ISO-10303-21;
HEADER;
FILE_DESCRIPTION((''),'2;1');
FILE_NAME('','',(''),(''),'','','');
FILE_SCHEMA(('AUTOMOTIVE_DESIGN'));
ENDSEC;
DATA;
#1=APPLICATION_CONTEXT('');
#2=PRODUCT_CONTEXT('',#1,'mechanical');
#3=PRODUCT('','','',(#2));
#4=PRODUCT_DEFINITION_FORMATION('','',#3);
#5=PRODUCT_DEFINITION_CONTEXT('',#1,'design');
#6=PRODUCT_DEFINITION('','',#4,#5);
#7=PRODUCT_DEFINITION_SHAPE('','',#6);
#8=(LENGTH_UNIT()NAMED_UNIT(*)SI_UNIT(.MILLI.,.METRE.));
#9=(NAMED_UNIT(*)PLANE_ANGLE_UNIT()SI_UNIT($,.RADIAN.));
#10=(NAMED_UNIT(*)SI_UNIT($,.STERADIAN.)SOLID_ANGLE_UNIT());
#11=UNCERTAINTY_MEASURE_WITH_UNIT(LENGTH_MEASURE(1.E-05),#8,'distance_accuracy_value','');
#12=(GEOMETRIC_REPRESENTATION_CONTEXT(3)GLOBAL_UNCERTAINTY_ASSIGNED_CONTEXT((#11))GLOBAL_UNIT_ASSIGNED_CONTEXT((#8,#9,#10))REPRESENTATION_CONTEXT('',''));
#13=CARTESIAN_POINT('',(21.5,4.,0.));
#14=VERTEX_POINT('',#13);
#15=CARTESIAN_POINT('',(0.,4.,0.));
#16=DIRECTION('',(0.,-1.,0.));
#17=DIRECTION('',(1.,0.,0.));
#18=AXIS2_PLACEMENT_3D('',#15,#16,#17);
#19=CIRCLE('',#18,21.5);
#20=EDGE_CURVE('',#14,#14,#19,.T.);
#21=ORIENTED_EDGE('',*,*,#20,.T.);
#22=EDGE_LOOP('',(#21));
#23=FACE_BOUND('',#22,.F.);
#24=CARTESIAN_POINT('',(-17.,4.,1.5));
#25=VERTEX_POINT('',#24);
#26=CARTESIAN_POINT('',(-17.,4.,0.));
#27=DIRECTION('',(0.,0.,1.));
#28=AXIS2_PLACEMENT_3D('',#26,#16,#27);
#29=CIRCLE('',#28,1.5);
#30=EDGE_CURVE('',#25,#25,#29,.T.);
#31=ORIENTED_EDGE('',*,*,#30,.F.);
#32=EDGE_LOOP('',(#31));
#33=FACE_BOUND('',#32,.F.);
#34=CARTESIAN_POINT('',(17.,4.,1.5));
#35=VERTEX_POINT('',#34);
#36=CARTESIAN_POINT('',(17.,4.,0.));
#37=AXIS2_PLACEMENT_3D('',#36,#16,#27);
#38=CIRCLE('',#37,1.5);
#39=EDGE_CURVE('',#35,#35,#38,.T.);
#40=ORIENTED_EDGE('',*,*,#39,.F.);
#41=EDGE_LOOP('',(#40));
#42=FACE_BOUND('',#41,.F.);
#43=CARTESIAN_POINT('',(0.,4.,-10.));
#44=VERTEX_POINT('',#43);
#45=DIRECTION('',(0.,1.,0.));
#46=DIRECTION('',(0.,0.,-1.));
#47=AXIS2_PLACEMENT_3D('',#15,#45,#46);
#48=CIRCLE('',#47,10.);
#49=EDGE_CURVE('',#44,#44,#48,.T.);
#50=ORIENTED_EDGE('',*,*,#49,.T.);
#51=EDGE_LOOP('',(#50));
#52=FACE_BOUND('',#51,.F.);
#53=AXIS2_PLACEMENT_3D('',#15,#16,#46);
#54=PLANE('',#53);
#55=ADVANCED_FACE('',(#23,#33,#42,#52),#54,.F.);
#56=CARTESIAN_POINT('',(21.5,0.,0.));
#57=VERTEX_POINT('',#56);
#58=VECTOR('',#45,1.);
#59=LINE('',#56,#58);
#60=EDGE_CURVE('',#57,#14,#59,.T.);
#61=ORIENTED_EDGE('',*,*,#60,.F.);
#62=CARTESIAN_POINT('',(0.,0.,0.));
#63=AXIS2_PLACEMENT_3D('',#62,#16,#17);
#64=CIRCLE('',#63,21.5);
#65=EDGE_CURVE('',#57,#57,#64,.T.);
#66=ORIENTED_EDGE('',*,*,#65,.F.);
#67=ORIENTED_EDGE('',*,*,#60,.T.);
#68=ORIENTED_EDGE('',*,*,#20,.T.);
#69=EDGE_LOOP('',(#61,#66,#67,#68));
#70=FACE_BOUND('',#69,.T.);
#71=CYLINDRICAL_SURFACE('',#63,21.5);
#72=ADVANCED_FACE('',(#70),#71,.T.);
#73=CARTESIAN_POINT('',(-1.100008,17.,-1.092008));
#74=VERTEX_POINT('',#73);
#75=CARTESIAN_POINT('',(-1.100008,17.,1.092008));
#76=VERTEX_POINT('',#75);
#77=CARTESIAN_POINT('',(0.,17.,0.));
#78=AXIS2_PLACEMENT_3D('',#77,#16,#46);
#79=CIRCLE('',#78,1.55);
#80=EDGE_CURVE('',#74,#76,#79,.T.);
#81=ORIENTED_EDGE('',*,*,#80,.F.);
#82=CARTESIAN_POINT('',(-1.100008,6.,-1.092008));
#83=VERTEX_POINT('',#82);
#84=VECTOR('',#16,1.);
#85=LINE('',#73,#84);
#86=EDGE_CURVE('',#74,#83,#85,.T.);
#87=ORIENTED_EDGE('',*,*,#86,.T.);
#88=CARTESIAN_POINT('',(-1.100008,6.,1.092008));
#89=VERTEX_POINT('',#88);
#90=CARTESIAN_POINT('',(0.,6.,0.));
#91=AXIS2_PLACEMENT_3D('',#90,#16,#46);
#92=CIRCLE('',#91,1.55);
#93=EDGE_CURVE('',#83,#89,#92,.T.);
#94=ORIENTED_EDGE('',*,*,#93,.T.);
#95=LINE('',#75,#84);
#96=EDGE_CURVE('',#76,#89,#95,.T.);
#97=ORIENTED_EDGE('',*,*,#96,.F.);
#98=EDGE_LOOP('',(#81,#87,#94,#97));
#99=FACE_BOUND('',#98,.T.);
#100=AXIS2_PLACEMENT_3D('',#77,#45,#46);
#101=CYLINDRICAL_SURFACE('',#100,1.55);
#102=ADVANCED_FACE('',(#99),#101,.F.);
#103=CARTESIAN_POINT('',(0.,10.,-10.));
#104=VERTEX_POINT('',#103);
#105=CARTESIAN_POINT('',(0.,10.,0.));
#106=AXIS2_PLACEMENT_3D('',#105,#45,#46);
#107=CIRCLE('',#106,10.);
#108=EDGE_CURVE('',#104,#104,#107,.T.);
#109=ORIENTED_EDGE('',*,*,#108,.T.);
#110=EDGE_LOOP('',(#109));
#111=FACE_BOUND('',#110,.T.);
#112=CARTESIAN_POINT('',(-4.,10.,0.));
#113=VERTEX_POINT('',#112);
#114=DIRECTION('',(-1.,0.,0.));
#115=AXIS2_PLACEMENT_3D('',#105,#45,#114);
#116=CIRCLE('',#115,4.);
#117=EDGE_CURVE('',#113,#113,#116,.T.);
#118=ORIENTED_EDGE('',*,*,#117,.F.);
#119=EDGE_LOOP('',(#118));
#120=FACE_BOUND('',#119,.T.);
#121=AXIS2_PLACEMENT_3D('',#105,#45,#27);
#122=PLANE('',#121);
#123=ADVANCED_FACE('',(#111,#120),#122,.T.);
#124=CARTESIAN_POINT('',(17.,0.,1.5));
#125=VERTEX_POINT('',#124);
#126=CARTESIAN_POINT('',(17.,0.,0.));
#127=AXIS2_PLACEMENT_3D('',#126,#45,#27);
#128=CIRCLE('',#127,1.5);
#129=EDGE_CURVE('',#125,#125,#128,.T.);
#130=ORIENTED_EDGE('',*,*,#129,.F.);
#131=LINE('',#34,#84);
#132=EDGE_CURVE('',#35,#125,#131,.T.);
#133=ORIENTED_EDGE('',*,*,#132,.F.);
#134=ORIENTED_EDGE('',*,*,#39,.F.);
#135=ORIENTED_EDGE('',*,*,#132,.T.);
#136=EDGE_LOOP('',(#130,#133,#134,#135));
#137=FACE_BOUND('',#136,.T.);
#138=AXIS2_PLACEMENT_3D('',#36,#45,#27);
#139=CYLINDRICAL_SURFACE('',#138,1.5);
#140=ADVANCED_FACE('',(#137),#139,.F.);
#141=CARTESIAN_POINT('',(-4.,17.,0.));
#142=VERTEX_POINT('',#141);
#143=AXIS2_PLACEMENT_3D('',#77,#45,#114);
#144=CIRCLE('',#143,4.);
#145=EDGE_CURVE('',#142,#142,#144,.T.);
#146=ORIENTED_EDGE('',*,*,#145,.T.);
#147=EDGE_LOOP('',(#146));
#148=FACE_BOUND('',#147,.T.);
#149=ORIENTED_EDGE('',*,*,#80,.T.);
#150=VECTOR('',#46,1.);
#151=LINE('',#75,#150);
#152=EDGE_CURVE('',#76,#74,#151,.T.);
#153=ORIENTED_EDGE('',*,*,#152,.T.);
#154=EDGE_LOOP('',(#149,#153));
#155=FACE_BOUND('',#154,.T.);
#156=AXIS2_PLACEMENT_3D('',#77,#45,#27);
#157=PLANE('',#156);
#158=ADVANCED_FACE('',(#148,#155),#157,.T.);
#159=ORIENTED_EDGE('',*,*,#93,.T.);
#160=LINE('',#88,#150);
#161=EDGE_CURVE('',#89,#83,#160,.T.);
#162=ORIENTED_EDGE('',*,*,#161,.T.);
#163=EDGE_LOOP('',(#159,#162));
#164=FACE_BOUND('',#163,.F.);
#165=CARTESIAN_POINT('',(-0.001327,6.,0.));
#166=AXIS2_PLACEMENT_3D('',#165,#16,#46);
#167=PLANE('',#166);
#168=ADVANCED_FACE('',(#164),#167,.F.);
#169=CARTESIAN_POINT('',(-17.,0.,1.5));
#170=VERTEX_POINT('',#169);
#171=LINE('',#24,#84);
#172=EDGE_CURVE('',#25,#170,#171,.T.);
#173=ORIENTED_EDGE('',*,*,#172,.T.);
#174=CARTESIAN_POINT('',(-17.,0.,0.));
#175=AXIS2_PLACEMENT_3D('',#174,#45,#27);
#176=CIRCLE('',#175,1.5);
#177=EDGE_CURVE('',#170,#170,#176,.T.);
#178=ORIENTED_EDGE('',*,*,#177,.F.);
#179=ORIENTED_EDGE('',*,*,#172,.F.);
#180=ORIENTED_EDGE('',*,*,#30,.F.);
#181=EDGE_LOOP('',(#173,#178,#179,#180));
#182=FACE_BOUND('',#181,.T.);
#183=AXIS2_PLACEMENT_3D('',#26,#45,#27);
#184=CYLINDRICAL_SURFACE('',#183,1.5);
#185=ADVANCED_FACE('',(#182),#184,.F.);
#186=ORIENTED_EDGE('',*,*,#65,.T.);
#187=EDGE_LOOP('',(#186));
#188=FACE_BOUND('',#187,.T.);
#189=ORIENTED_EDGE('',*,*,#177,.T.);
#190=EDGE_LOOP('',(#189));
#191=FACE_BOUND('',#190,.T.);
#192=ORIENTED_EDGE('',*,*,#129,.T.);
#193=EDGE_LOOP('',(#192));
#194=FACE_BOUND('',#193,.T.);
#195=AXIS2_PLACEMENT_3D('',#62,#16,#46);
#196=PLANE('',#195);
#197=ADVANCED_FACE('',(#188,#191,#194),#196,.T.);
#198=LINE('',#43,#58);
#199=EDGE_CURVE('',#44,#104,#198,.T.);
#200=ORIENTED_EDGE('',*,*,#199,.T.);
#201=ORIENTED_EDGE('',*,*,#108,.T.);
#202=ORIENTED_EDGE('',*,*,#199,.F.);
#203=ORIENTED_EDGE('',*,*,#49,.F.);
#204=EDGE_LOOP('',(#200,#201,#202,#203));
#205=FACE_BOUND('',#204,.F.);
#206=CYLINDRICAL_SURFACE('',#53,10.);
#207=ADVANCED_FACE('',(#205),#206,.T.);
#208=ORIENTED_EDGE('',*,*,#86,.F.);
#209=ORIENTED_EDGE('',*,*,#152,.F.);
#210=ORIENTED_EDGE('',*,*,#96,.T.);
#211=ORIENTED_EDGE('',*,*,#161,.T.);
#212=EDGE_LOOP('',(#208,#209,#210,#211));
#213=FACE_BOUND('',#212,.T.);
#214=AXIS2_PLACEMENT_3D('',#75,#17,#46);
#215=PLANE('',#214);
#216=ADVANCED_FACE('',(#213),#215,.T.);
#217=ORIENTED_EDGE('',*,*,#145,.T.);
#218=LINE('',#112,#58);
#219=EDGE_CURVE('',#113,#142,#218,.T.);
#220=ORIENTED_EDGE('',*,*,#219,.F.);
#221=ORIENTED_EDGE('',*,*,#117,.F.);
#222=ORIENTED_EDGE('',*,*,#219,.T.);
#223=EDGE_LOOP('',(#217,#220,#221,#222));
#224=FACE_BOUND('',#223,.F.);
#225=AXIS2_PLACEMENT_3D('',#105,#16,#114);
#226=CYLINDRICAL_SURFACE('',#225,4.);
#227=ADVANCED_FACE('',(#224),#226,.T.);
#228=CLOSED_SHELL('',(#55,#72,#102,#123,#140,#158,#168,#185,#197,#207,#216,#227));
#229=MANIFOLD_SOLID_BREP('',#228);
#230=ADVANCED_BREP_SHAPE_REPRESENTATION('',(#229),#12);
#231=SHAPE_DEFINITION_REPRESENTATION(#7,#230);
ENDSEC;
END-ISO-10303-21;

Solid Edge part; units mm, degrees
sketch "Sketch1" plane through (0, 0, 0) normal (0, -1, 0) x (1, 0, 0)
  circle A0 centre (0, 0) radius 21.5
extrude "Protrusion1" add sketch "Sketch1" against normal blind 4
hole "Hole_1" at (-17, 4, 0) direction (0, -1, 0) diameter 3 end through all
hole "Hole1" at (17, 4, 0) direction (0, -1, 0) diameter 3 end through all
sketch "Sketch2" plane through (0, 4, 0) normal (0, 1, 0) x (0, 0, -1)
  circle A0 centre (0, 0) radius 10
extrude "ExtrudedProtrusion_2" add sketch "Sketch2" along normal blind 6
sketch "Sketch3" plane through (0, 10, 0) normal (0, 1, 0) x (-1, 0, 0)
  circle A0 centre (0, 0) radius 4
extrude "ExtrudedProtrusion_3" add sketch "Sketch3" along normal blind 7
sketch "Sketch4" plane through (0, 17, 0) normal (0, 1, 0) x (0, 0, -1)
  line L0 (-1.092, 1.1) -> (1.092, 1.1)
  arc A0 (1.092, 1.1) -> (-1.092, 1.1) centre (0, 0) cw
extrude "ExtrudedCutout_1" cut sketch "Sketch4" against normal blind 11
